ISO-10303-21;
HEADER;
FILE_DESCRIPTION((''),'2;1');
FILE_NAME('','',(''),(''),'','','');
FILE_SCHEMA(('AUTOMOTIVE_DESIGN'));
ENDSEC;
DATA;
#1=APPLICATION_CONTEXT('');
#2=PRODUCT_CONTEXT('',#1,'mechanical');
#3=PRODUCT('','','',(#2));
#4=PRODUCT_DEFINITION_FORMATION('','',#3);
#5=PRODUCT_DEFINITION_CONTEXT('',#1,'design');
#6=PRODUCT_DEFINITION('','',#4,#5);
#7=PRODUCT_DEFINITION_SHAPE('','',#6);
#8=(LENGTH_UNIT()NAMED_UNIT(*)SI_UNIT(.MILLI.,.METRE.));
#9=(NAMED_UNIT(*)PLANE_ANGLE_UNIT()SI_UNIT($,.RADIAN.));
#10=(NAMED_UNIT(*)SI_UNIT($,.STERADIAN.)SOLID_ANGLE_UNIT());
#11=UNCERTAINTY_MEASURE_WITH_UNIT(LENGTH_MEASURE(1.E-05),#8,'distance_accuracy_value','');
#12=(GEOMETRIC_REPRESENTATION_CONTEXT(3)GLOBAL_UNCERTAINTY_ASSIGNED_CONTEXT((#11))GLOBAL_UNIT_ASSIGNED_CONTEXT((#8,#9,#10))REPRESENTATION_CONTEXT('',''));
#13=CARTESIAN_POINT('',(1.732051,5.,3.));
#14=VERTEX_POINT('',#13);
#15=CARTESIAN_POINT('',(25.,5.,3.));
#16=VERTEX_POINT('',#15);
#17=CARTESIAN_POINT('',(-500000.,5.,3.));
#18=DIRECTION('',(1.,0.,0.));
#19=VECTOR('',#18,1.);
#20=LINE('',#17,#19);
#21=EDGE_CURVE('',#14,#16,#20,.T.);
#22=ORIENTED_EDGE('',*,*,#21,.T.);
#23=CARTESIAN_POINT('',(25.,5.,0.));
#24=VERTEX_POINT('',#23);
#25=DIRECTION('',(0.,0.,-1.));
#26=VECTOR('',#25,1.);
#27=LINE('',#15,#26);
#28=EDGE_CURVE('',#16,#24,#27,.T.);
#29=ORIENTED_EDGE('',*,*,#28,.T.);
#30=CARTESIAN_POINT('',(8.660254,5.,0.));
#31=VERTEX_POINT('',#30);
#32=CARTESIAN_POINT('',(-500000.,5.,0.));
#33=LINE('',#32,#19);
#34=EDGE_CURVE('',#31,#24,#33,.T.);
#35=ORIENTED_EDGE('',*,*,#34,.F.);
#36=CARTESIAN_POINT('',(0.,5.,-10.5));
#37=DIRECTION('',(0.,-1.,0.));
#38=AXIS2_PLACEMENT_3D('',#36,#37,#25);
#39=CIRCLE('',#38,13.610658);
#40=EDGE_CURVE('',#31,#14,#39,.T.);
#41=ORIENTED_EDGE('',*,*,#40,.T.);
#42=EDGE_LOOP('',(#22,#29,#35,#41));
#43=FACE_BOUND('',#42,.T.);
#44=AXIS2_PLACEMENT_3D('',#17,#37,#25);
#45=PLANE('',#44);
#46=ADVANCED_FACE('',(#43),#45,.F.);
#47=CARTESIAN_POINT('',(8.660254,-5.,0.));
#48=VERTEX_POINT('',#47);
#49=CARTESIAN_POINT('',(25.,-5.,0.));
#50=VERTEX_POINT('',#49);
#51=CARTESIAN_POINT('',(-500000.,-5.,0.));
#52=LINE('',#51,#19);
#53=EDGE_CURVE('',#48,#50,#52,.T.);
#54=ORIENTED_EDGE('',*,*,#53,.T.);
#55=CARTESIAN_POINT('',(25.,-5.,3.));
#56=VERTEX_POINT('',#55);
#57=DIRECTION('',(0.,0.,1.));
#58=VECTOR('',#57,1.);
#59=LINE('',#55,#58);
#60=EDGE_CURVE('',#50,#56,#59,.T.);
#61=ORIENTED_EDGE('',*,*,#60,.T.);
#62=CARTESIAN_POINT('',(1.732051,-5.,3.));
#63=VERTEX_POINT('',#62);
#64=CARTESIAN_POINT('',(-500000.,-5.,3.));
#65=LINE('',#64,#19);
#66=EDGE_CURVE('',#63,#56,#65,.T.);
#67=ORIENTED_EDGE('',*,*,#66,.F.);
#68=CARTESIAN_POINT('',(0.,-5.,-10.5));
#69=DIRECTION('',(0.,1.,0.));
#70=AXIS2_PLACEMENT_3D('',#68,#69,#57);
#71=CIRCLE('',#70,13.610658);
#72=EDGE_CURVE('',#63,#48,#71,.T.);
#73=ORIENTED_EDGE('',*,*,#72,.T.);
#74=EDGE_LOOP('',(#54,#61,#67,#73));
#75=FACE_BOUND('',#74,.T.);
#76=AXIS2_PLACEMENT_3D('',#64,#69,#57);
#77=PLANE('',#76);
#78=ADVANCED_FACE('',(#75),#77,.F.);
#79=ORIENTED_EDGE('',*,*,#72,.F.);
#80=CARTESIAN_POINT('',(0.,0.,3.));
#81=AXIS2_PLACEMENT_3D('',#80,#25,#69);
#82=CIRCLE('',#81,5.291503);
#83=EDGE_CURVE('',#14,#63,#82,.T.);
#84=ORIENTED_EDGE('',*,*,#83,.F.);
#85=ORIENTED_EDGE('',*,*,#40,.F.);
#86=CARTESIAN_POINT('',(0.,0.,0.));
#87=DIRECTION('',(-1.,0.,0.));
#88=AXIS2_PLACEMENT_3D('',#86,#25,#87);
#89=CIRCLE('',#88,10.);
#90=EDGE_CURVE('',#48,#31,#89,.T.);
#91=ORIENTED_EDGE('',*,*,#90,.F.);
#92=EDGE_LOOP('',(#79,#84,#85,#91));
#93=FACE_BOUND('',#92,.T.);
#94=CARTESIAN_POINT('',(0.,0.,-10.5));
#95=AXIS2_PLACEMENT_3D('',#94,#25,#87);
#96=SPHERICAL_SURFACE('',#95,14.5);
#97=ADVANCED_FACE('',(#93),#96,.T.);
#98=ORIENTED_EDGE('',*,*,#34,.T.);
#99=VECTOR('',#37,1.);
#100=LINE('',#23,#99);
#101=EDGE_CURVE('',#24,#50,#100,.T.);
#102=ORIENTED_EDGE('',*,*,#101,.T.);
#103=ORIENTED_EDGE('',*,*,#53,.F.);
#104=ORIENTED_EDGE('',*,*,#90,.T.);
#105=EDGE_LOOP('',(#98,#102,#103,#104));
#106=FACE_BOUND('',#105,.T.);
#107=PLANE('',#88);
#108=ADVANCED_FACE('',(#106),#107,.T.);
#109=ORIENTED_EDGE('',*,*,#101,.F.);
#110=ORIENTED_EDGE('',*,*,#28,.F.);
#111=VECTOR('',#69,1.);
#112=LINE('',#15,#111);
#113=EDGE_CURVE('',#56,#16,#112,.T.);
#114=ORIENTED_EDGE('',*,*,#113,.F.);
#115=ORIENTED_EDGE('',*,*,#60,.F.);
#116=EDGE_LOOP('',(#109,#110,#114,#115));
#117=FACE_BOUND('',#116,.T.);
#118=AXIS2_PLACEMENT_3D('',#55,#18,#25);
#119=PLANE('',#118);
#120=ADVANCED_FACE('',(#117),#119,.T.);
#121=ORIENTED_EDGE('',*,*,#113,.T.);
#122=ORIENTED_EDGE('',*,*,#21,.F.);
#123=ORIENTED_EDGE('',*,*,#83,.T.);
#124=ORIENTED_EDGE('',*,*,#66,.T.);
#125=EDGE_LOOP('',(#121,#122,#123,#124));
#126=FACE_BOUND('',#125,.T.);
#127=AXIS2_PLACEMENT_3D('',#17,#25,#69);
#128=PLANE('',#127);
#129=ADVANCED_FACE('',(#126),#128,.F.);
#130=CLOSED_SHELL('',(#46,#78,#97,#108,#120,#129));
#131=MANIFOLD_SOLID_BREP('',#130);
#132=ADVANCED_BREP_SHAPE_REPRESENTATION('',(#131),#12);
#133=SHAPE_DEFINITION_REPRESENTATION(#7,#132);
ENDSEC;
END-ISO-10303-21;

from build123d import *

# Parameters (mm, degrees)
BOSS_EXTRU_1_REACH = 37
ESQUISSE2_W        = 3
ESQUISSE2_H        = 10


with BuildPart() as part:
    # Esquisse1 → Révolution1 (revolve)
    with BuildSketch(Plane(origin=(0, 0, 0), x_dir=(1, 0, 0), z_dir=(0, 1, 0))):
        with BuildLine():
            Line((0, 0), (0, -4))
            ThreePointArc((0, -4), (-5.385164807, -2.962912018), (-10, 0))
            Line((-10, 0), (0, 0))
        make_face()
    revolve(axis=Axis((0, 0, 0), (0, 0, 1)))

    # Esquisse2 → Boss.-Extru.1 (add, up to next)
    with BuildSketch(Plane(origin=(25, 0, -10), x_dir=(0, 0, 1), z_dir=(-1, 0, 0)), mode=Mode.PRIVATE) as boss_extru_1_sk1:
        with Locations((11.5, 0)):
            Rectangle(ESQUISSE2_W, ESQUISSE2_H)
    boss_extru_1_tool1 = extrude(boss_extru_1_sk1.sketch, amount=BOSS_EXTRU_1_REACH, mode=Mode.PRIVATE) - part.part
    add(boss_extru_1_tool1.solids().sort_by_distance((25, 0, 1.5))[0])


solid = part.part
